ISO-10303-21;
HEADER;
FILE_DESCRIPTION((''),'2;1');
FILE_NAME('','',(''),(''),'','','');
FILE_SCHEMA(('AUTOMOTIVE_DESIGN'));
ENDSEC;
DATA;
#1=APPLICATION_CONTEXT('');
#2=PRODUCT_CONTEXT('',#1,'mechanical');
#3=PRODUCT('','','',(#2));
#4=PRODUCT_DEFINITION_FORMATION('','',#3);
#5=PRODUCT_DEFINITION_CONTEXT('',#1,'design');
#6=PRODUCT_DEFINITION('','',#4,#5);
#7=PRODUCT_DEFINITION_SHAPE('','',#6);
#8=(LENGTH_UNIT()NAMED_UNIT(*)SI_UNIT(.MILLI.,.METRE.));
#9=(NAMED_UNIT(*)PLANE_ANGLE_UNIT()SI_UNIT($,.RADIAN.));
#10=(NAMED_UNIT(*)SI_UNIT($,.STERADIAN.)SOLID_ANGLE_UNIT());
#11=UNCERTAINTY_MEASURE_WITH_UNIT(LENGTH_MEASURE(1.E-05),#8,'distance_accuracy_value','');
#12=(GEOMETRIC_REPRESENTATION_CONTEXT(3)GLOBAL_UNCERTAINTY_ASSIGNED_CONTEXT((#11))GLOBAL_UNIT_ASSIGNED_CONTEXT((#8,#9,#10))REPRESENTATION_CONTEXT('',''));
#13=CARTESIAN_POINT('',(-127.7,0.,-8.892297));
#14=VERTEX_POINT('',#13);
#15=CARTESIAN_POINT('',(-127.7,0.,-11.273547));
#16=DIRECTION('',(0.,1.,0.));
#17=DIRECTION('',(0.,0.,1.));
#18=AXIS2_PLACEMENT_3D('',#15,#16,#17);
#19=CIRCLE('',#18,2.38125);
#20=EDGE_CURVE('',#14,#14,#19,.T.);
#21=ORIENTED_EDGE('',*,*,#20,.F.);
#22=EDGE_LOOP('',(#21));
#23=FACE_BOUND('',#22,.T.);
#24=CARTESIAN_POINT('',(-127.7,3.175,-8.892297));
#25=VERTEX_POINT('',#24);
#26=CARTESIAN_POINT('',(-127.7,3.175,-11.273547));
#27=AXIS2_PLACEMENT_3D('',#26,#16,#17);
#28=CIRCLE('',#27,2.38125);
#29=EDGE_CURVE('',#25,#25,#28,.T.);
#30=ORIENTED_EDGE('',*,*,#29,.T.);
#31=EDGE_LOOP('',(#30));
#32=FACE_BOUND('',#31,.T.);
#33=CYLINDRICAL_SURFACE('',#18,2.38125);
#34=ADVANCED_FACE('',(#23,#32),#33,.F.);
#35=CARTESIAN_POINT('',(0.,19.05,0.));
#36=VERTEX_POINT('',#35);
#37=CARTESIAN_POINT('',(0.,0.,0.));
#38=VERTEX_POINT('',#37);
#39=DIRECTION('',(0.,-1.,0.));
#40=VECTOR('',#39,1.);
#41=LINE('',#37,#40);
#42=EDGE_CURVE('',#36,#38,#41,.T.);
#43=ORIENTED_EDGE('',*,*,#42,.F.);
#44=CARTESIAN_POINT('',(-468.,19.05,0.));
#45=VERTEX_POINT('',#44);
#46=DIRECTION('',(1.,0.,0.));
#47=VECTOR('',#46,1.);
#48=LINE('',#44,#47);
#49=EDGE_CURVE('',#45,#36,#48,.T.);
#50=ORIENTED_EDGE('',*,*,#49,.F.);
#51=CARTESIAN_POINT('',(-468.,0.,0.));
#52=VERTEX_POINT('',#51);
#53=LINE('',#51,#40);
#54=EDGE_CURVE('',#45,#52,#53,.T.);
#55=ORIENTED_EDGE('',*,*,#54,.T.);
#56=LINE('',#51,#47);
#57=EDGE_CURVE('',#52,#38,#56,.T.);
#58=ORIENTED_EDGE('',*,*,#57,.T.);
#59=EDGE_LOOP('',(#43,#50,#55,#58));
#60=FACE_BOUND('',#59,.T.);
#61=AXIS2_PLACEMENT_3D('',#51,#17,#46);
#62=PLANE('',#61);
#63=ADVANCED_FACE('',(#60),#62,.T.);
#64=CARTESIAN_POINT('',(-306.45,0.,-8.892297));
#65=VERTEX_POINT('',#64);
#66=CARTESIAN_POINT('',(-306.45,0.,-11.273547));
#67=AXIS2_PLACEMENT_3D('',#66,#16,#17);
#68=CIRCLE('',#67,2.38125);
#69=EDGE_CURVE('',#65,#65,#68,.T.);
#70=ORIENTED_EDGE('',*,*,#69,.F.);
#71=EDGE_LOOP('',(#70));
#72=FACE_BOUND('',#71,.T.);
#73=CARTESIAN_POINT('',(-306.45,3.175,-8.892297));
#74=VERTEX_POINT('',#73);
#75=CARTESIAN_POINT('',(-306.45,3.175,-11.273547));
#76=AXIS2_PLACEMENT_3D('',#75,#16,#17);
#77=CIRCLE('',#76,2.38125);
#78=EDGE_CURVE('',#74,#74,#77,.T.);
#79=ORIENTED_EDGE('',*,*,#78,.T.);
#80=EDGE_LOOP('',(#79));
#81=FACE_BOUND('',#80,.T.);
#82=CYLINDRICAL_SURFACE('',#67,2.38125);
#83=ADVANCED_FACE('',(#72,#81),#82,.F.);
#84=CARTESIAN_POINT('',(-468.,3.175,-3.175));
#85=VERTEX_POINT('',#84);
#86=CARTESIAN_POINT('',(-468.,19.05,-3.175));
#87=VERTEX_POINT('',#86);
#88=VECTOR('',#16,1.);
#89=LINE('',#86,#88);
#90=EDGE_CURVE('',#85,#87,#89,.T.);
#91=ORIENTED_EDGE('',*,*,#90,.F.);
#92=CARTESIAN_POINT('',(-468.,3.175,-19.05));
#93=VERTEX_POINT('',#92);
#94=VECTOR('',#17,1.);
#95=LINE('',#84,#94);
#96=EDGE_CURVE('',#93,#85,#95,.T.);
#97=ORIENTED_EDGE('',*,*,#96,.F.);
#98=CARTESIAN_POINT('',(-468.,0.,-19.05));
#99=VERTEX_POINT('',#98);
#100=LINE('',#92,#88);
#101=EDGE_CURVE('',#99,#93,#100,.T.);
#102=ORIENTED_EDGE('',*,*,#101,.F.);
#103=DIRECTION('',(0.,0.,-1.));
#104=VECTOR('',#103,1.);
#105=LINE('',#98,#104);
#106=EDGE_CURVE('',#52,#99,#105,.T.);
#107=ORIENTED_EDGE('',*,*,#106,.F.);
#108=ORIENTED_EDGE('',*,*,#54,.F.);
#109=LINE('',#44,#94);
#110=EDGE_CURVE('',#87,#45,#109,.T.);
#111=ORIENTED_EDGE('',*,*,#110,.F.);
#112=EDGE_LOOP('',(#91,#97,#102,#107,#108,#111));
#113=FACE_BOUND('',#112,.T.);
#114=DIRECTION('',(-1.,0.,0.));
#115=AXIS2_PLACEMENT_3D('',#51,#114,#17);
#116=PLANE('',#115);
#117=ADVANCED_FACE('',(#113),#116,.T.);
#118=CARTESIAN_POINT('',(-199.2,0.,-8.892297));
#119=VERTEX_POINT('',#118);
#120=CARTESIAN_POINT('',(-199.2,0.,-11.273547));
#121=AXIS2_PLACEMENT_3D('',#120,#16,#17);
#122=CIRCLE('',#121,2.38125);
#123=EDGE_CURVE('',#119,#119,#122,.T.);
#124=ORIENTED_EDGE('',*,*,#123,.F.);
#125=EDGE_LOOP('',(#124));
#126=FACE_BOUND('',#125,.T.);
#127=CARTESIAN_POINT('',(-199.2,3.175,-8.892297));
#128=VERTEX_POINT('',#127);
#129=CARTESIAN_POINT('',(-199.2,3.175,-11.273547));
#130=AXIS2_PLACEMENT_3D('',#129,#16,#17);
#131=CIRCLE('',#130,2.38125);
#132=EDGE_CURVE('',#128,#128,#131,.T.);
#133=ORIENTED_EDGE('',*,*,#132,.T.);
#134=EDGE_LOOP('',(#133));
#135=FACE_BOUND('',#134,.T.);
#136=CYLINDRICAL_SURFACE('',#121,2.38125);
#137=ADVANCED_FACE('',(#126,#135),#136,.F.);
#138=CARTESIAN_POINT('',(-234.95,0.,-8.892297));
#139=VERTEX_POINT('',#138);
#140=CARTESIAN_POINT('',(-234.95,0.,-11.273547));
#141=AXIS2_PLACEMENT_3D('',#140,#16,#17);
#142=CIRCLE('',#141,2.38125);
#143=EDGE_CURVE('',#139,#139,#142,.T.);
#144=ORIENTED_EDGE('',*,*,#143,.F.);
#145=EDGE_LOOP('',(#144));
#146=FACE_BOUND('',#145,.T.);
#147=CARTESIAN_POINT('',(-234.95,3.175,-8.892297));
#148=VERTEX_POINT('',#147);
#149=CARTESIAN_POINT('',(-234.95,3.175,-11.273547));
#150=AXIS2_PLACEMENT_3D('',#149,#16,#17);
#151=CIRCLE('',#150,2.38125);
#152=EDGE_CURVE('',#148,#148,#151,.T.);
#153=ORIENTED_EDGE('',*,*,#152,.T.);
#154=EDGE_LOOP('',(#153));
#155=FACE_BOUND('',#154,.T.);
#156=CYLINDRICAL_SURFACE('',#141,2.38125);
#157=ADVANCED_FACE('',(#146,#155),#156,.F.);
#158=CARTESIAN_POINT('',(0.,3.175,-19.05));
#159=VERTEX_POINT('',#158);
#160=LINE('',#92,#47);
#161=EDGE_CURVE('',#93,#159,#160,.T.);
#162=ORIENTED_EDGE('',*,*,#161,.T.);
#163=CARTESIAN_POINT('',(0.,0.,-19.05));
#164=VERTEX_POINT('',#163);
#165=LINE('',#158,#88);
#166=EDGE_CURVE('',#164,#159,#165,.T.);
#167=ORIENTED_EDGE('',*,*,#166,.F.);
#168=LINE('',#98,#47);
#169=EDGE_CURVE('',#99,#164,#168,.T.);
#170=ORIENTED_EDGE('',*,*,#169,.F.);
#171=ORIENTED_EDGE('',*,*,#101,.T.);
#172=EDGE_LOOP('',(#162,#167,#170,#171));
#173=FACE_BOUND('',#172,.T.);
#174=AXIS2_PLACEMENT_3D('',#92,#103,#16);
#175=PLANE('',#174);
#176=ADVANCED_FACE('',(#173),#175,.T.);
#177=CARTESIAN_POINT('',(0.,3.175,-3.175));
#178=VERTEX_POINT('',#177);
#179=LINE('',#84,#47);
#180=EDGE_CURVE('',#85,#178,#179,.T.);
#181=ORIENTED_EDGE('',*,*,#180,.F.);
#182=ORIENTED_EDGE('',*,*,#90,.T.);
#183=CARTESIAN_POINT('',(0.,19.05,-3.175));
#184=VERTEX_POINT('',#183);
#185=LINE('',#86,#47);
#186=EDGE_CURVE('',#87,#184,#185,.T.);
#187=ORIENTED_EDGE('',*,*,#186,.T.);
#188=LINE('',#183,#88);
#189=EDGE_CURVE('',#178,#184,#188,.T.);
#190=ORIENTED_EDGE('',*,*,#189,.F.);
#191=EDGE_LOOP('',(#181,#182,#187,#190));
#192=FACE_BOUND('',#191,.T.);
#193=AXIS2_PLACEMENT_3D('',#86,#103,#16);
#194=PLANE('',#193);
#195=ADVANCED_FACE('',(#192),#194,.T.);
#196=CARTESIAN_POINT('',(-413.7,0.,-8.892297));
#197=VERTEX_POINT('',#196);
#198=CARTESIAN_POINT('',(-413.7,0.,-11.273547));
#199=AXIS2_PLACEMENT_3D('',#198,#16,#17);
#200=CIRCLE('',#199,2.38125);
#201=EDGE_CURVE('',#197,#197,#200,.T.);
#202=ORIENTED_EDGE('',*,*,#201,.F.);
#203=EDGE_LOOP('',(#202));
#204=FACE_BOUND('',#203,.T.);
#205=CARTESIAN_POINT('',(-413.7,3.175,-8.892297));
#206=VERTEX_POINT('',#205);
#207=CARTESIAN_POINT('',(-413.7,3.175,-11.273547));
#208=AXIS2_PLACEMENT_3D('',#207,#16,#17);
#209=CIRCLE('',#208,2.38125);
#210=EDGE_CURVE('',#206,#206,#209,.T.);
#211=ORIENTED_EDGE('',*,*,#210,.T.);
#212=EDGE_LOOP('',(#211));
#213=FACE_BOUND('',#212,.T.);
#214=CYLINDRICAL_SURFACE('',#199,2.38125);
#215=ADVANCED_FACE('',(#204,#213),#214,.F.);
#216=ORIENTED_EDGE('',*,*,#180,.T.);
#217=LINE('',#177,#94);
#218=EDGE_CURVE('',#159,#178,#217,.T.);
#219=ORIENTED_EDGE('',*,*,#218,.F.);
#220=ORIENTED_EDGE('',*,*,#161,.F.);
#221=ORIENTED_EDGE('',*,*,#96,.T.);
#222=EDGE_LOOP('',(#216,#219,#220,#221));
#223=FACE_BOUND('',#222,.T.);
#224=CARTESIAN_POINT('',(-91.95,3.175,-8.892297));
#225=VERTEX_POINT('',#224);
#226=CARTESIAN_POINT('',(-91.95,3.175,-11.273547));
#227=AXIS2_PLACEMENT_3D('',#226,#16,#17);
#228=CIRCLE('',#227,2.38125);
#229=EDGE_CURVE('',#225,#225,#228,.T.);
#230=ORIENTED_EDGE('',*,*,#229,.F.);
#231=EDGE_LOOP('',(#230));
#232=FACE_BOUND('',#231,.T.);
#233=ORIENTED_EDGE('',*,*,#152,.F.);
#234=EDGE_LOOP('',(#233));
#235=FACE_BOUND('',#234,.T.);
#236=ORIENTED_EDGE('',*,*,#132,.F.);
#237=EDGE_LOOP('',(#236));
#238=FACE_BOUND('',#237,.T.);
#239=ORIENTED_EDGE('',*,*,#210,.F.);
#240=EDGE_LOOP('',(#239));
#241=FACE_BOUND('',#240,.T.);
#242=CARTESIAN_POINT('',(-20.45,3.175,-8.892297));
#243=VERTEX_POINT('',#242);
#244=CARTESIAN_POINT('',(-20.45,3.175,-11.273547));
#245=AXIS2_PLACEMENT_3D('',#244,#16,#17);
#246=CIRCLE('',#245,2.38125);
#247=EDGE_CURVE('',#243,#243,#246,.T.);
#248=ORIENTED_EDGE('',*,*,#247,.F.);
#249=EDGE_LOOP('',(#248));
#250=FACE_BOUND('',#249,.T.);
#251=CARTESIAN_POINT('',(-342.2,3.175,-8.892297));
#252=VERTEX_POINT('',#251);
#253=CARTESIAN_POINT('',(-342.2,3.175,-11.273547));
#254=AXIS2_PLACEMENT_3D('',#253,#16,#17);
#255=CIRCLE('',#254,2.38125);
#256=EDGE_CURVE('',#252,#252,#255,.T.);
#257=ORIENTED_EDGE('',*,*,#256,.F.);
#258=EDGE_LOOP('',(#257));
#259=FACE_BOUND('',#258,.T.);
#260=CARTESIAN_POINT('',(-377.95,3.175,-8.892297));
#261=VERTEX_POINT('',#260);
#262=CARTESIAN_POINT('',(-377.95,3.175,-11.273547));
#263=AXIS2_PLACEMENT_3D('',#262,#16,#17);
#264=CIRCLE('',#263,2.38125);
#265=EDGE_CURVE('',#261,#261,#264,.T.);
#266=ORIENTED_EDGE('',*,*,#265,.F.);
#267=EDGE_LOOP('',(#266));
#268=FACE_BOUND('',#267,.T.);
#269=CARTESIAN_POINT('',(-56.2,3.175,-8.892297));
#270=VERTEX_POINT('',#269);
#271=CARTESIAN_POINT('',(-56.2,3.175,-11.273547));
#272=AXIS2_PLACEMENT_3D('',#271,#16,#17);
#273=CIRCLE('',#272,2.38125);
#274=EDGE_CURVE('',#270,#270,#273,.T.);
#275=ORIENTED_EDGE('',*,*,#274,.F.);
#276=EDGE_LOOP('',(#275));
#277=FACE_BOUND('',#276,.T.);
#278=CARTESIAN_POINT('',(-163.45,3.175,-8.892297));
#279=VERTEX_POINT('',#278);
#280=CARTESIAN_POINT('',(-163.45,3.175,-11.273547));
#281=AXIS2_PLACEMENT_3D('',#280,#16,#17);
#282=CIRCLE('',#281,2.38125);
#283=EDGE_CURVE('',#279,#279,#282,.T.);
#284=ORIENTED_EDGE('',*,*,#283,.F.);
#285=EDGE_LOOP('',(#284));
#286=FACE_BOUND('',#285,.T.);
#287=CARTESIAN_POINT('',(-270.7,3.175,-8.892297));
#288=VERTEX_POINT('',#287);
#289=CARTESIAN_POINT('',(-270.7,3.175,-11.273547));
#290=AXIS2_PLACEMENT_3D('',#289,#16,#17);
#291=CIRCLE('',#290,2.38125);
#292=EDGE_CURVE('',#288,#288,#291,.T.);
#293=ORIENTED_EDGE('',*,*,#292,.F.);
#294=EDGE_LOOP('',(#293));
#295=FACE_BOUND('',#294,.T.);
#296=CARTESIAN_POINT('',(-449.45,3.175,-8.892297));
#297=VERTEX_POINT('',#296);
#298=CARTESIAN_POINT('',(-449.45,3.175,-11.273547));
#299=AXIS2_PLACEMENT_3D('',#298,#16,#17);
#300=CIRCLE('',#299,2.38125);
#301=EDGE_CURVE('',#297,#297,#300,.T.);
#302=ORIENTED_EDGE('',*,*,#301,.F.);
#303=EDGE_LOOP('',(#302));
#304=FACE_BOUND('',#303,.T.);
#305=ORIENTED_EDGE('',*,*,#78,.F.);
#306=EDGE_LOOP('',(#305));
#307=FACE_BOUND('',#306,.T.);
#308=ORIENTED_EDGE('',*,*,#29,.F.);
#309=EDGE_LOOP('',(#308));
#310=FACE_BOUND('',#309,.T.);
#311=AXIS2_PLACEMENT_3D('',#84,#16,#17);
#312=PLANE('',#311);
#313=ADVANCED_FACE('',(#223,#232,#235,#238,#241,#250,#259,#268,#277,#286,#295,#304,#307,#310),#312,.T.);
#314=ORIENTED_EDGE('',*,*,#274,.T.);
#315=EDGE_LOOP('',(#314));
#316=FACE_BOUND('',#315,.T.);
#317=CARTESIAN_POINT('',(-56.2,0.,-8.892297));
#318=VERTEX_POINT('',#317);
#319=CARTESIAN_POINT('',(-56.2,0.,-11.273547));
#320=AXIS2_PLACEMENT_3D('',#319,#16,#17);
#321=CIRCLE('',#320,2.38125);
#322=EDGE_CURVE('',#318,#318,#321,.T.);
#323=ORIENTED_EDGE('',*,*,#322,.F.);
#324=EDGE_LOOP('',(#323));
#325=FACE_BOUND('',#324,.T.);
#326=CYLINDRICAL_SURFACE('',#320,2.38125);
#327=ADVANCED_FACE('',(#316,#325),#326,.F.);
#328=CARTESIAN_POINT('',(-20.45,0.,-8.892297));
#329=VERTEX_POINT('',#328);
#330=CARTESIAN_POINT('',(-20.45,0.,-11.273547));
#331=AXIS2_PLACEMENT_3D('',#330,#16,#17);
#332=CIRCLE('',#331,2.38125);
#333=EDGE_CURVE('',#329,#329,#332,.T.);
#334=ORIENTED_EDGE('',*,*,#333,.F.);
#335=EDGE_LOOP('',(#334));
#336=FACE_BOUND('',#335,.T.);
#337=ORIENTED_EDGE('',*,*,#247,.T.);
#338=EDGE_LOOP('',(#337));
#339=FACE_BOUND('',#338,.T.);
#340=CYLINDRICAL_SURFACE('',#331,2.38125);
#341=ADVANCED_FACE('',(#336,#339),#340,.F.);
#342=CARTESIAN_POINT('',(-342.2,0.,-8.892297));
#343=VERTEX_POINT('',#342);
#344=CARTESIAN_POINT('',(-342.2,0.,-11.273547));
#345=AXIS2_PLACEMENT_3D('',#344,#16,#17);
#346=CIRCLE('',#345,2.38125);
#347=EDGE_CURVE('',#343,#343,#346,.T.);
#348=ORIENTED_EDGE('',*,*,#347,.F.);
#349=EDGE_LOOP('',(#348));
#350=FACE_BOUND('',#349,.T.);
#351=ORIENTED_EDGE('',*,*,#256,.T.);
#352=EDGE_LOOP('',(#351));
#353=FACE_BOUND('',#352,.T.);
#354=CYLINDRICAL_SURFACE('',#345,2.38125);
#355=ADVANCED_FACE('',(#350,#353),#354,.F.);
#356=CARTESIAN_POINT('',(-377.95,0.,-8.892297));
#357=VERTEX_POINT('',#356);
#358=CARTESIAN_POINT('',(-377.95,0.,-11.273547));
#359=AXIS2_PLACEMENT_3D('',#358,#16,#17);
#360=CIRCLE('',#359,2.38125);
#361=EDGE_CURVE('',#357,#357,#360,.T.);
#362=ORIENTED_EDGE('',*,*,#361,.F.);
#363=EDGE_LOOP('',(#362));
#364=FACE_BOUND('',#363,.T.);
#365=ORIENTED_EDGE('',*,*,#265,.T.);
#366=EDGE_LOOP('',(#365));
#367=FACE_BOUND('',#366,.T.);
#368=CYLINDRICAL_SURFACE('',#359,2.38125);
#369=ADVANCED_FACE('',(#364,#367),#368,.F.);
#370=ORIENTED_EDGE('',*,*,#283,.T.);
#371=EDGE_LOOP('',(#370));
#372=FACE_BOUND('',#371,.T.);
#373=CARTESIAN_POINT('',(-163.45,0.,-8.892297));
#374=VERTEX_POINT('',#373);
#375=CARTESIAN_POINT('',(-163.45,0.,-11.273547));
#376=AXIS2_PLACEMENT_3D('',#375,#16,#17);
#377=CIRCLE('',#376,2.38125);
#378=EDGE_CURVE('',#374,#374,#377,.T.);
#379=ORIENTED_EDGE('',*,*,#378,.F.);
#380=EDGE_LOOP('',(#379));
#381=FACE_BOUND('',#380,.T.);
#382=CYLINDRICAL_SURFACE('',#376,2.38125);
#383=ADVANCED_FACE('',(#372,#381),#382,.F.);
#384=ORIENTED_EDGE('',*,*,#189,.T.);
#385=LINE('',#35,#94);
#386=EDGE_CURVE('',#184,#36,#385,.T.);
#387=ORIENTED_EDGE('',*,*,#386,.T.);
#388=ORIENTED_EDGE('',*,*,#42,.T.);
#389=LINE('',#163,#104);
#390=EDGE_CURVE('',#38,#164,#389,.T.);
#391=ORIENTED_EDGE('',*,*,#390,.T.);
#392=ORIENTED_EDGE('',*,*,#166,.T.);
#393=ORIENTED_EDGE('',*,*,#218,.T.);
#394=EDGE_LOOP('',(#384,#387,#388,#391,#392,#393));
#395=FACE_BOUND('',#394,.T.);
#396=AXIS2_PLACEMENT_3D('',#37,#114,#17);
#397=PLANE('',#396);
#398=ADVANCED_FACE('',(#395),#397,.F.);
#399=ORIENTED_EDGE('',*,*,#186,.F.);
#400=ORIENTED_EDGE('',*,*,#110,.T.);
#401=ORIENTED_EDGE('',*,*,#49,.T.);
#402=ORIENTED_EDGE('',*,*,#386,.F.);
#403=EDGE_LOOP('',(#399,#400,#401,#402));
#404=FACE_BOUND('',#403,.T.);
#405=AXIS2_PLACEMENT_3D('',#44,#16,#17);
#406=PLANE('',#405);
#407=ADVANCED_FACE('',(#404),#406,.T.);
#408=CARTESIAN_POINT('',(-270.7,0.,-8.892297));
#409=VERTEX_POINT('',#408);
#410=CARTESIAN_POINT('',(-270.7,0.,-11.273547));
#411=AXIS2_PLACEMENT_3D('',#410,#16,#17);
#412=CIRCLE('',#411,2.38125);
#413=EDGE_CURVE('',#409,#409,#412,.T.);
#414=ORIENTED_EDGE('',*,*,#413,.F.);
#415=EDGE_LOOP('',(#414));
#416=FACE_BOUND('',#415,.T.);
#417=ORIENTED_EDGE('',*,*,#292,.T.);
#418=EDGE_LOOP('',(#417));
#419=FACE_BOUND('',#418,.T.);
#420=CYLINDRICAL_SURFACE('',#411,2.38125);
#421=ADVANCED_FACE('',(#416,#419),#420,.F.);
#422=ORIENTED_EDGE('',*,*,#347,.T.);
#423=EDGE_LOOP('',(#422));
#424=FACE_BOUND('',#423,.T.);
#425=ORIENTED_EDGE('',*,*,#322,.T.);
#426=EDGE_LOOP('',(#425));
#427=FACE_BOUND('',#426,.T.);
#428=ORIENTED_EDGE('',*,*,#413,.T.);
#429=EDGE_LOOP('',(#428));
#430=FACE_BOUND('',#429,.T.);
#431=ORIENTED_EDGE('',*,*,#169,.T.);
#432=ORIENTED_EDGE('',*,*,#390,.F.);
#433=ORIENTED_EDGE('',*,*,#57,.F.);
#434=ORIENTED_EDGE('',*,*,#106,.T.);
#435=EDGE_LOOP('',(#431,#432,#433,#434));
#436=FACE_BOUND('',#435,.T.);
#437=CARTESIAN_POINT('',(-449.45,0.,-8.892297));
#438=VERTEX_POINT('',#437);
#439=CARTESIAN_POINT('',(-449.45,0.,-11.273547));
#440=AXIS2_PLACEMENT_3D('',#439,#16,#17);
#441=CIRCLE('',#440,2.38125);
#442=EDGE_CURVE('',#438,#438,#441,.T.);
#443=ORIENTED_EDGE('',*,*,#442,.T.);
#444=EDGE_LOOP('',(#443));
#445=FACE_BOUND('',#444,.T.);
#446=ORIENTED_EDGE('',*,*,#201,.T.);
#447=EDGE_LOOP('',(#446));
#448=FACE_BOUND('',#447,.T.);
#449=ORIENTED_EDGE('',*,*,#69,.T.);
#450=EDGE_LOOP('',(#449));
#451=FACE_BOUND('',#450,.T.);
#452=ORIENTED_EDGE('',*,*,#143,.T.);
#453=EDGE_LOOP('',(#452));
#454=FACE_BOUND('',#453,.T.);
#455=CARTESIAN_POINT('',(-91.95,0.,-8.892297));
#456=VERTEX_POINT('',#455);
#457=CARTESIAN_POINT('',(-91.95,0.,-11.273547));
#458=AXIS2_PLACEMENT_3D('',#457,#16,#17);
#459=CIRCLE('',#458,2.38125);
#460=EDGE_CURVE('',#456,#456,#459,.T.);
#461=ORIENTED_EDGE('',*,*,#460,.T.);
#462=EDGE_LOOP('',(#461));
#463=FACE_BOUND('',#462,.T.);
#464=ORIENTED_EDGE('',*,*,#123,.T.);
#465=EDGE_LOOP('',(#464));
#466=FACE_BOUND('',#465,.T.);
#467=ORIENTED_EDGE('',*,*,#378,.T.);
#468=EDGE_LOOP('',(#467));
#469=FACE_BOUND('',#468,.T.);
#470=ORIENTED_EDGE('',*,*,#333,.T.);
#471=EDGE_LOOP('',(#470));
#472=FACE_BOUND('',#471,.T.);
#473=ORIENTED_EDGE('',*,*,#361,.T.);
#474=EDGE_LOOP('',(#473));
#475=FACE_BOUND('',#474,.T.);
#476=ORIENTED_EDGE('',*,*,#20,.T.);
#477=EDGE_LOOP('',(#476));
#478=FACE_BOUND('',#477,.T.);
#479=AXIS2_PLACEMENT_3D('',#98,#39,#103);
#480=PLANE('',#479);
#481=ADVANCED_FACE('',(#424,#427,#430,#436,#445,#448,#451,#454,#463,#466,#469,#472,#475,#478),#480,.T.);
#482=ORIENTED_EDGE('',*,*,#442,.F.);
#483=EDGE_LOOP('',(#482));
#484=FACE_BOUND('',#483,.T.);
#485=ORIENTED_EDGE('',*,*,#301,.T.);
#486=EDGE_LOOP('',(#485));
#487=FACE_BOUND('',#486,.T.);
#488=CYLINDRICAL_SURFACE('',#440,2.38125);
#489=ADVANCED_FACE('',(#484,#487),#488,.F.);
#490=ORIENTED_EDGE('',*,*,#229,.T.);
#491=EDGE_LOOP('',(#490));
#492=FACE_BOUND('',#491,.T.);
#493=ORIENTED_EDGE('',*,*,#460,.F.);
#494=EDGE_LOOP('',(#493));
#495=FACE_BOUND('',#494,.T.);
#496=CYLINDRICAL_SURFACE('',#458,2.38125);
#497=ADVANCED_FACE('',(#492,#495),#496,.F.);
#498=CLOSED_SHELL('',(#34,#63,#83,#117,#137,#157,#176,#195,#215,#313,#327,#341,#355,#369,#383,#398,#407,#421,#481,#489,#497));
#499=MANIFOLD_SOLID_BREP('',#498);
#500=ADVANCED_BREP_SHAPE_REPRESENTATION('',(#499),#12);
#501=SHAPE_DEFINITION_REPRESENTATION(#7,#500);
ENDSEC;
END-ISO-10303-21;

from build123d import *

# Parameters (mm, degrees)
BOSS_EXTRUDE1_DEPTH = 468
SKETCH2_R           = 2.38125
CUT_EXTRUDE1_DEPTH  = 3.175


with BuildPart() as part:
    # Sketch1 → Boss-Extrude1 (new body)
    with BuildSketch(Plane(origin=(0, 0, 0), x_dir=(0, 0, -1), z_dir=(1, 0, 0))):
        Polygon((0, 0), (0, 19.05), (3.175, 19.05), (3.175, 3.175), (19.05, 3.175), (19.05, 0), align=None)
    extrude(amount=-BOSS_EXTRUDE1_DEPTH)

    # Sketch2 → Cut-Extrude1 (cut)
    with BuildSketch(Plane(origin=(0, 3.175, 0), x_dir=(1, 0, 0), z_dir=(0, 1, 0))):
        with Locations((-20.45, 11.273546723)):
            Circle(SKETCH2_R)
        with Locations((-56.2, 11.273546723)):
            Circle(SKETCH2_R)
        with Locations((-91.95, 11.273546723)):
            Circle(SKETCH2_R)
        with Locations((-127.7, 11.273546723)):
            Circle(SKETCH2_R)
        with Locations((-163.45, 11.273546723)):
            Circle(SKETCH2_R)
        with Locations((-199.2, 11.273546723)):
            Circle(SKETCH2_R)
        with Locations((-234.95, 11.273546723)):
            Circle(SKETCH2_R)
        with Locations((-270.7, 11.273546723)):
            Circle(SKETCH2_R)
        with Locations((-306.45, 11.273546723)):
            Circle(SKETCH2_R)
        with Locations((-342.2, 11.273546723)):
            Circle(SKETCH2_R)
        with Locations((-377.95, 11.273546723)):
            Circle(SKETCH2_R)
        with Locations((-413.7, 11.273546723)):
            Circle(SKETCH2_R)
        with Locations((-449.45, 11.273546723)):
            Circle(SKETCH2_R)
    extrude(amount=-CUT_EXTRUDE1_DEPTH, mode=Mode.SUBTRACT)


solid = part.part
